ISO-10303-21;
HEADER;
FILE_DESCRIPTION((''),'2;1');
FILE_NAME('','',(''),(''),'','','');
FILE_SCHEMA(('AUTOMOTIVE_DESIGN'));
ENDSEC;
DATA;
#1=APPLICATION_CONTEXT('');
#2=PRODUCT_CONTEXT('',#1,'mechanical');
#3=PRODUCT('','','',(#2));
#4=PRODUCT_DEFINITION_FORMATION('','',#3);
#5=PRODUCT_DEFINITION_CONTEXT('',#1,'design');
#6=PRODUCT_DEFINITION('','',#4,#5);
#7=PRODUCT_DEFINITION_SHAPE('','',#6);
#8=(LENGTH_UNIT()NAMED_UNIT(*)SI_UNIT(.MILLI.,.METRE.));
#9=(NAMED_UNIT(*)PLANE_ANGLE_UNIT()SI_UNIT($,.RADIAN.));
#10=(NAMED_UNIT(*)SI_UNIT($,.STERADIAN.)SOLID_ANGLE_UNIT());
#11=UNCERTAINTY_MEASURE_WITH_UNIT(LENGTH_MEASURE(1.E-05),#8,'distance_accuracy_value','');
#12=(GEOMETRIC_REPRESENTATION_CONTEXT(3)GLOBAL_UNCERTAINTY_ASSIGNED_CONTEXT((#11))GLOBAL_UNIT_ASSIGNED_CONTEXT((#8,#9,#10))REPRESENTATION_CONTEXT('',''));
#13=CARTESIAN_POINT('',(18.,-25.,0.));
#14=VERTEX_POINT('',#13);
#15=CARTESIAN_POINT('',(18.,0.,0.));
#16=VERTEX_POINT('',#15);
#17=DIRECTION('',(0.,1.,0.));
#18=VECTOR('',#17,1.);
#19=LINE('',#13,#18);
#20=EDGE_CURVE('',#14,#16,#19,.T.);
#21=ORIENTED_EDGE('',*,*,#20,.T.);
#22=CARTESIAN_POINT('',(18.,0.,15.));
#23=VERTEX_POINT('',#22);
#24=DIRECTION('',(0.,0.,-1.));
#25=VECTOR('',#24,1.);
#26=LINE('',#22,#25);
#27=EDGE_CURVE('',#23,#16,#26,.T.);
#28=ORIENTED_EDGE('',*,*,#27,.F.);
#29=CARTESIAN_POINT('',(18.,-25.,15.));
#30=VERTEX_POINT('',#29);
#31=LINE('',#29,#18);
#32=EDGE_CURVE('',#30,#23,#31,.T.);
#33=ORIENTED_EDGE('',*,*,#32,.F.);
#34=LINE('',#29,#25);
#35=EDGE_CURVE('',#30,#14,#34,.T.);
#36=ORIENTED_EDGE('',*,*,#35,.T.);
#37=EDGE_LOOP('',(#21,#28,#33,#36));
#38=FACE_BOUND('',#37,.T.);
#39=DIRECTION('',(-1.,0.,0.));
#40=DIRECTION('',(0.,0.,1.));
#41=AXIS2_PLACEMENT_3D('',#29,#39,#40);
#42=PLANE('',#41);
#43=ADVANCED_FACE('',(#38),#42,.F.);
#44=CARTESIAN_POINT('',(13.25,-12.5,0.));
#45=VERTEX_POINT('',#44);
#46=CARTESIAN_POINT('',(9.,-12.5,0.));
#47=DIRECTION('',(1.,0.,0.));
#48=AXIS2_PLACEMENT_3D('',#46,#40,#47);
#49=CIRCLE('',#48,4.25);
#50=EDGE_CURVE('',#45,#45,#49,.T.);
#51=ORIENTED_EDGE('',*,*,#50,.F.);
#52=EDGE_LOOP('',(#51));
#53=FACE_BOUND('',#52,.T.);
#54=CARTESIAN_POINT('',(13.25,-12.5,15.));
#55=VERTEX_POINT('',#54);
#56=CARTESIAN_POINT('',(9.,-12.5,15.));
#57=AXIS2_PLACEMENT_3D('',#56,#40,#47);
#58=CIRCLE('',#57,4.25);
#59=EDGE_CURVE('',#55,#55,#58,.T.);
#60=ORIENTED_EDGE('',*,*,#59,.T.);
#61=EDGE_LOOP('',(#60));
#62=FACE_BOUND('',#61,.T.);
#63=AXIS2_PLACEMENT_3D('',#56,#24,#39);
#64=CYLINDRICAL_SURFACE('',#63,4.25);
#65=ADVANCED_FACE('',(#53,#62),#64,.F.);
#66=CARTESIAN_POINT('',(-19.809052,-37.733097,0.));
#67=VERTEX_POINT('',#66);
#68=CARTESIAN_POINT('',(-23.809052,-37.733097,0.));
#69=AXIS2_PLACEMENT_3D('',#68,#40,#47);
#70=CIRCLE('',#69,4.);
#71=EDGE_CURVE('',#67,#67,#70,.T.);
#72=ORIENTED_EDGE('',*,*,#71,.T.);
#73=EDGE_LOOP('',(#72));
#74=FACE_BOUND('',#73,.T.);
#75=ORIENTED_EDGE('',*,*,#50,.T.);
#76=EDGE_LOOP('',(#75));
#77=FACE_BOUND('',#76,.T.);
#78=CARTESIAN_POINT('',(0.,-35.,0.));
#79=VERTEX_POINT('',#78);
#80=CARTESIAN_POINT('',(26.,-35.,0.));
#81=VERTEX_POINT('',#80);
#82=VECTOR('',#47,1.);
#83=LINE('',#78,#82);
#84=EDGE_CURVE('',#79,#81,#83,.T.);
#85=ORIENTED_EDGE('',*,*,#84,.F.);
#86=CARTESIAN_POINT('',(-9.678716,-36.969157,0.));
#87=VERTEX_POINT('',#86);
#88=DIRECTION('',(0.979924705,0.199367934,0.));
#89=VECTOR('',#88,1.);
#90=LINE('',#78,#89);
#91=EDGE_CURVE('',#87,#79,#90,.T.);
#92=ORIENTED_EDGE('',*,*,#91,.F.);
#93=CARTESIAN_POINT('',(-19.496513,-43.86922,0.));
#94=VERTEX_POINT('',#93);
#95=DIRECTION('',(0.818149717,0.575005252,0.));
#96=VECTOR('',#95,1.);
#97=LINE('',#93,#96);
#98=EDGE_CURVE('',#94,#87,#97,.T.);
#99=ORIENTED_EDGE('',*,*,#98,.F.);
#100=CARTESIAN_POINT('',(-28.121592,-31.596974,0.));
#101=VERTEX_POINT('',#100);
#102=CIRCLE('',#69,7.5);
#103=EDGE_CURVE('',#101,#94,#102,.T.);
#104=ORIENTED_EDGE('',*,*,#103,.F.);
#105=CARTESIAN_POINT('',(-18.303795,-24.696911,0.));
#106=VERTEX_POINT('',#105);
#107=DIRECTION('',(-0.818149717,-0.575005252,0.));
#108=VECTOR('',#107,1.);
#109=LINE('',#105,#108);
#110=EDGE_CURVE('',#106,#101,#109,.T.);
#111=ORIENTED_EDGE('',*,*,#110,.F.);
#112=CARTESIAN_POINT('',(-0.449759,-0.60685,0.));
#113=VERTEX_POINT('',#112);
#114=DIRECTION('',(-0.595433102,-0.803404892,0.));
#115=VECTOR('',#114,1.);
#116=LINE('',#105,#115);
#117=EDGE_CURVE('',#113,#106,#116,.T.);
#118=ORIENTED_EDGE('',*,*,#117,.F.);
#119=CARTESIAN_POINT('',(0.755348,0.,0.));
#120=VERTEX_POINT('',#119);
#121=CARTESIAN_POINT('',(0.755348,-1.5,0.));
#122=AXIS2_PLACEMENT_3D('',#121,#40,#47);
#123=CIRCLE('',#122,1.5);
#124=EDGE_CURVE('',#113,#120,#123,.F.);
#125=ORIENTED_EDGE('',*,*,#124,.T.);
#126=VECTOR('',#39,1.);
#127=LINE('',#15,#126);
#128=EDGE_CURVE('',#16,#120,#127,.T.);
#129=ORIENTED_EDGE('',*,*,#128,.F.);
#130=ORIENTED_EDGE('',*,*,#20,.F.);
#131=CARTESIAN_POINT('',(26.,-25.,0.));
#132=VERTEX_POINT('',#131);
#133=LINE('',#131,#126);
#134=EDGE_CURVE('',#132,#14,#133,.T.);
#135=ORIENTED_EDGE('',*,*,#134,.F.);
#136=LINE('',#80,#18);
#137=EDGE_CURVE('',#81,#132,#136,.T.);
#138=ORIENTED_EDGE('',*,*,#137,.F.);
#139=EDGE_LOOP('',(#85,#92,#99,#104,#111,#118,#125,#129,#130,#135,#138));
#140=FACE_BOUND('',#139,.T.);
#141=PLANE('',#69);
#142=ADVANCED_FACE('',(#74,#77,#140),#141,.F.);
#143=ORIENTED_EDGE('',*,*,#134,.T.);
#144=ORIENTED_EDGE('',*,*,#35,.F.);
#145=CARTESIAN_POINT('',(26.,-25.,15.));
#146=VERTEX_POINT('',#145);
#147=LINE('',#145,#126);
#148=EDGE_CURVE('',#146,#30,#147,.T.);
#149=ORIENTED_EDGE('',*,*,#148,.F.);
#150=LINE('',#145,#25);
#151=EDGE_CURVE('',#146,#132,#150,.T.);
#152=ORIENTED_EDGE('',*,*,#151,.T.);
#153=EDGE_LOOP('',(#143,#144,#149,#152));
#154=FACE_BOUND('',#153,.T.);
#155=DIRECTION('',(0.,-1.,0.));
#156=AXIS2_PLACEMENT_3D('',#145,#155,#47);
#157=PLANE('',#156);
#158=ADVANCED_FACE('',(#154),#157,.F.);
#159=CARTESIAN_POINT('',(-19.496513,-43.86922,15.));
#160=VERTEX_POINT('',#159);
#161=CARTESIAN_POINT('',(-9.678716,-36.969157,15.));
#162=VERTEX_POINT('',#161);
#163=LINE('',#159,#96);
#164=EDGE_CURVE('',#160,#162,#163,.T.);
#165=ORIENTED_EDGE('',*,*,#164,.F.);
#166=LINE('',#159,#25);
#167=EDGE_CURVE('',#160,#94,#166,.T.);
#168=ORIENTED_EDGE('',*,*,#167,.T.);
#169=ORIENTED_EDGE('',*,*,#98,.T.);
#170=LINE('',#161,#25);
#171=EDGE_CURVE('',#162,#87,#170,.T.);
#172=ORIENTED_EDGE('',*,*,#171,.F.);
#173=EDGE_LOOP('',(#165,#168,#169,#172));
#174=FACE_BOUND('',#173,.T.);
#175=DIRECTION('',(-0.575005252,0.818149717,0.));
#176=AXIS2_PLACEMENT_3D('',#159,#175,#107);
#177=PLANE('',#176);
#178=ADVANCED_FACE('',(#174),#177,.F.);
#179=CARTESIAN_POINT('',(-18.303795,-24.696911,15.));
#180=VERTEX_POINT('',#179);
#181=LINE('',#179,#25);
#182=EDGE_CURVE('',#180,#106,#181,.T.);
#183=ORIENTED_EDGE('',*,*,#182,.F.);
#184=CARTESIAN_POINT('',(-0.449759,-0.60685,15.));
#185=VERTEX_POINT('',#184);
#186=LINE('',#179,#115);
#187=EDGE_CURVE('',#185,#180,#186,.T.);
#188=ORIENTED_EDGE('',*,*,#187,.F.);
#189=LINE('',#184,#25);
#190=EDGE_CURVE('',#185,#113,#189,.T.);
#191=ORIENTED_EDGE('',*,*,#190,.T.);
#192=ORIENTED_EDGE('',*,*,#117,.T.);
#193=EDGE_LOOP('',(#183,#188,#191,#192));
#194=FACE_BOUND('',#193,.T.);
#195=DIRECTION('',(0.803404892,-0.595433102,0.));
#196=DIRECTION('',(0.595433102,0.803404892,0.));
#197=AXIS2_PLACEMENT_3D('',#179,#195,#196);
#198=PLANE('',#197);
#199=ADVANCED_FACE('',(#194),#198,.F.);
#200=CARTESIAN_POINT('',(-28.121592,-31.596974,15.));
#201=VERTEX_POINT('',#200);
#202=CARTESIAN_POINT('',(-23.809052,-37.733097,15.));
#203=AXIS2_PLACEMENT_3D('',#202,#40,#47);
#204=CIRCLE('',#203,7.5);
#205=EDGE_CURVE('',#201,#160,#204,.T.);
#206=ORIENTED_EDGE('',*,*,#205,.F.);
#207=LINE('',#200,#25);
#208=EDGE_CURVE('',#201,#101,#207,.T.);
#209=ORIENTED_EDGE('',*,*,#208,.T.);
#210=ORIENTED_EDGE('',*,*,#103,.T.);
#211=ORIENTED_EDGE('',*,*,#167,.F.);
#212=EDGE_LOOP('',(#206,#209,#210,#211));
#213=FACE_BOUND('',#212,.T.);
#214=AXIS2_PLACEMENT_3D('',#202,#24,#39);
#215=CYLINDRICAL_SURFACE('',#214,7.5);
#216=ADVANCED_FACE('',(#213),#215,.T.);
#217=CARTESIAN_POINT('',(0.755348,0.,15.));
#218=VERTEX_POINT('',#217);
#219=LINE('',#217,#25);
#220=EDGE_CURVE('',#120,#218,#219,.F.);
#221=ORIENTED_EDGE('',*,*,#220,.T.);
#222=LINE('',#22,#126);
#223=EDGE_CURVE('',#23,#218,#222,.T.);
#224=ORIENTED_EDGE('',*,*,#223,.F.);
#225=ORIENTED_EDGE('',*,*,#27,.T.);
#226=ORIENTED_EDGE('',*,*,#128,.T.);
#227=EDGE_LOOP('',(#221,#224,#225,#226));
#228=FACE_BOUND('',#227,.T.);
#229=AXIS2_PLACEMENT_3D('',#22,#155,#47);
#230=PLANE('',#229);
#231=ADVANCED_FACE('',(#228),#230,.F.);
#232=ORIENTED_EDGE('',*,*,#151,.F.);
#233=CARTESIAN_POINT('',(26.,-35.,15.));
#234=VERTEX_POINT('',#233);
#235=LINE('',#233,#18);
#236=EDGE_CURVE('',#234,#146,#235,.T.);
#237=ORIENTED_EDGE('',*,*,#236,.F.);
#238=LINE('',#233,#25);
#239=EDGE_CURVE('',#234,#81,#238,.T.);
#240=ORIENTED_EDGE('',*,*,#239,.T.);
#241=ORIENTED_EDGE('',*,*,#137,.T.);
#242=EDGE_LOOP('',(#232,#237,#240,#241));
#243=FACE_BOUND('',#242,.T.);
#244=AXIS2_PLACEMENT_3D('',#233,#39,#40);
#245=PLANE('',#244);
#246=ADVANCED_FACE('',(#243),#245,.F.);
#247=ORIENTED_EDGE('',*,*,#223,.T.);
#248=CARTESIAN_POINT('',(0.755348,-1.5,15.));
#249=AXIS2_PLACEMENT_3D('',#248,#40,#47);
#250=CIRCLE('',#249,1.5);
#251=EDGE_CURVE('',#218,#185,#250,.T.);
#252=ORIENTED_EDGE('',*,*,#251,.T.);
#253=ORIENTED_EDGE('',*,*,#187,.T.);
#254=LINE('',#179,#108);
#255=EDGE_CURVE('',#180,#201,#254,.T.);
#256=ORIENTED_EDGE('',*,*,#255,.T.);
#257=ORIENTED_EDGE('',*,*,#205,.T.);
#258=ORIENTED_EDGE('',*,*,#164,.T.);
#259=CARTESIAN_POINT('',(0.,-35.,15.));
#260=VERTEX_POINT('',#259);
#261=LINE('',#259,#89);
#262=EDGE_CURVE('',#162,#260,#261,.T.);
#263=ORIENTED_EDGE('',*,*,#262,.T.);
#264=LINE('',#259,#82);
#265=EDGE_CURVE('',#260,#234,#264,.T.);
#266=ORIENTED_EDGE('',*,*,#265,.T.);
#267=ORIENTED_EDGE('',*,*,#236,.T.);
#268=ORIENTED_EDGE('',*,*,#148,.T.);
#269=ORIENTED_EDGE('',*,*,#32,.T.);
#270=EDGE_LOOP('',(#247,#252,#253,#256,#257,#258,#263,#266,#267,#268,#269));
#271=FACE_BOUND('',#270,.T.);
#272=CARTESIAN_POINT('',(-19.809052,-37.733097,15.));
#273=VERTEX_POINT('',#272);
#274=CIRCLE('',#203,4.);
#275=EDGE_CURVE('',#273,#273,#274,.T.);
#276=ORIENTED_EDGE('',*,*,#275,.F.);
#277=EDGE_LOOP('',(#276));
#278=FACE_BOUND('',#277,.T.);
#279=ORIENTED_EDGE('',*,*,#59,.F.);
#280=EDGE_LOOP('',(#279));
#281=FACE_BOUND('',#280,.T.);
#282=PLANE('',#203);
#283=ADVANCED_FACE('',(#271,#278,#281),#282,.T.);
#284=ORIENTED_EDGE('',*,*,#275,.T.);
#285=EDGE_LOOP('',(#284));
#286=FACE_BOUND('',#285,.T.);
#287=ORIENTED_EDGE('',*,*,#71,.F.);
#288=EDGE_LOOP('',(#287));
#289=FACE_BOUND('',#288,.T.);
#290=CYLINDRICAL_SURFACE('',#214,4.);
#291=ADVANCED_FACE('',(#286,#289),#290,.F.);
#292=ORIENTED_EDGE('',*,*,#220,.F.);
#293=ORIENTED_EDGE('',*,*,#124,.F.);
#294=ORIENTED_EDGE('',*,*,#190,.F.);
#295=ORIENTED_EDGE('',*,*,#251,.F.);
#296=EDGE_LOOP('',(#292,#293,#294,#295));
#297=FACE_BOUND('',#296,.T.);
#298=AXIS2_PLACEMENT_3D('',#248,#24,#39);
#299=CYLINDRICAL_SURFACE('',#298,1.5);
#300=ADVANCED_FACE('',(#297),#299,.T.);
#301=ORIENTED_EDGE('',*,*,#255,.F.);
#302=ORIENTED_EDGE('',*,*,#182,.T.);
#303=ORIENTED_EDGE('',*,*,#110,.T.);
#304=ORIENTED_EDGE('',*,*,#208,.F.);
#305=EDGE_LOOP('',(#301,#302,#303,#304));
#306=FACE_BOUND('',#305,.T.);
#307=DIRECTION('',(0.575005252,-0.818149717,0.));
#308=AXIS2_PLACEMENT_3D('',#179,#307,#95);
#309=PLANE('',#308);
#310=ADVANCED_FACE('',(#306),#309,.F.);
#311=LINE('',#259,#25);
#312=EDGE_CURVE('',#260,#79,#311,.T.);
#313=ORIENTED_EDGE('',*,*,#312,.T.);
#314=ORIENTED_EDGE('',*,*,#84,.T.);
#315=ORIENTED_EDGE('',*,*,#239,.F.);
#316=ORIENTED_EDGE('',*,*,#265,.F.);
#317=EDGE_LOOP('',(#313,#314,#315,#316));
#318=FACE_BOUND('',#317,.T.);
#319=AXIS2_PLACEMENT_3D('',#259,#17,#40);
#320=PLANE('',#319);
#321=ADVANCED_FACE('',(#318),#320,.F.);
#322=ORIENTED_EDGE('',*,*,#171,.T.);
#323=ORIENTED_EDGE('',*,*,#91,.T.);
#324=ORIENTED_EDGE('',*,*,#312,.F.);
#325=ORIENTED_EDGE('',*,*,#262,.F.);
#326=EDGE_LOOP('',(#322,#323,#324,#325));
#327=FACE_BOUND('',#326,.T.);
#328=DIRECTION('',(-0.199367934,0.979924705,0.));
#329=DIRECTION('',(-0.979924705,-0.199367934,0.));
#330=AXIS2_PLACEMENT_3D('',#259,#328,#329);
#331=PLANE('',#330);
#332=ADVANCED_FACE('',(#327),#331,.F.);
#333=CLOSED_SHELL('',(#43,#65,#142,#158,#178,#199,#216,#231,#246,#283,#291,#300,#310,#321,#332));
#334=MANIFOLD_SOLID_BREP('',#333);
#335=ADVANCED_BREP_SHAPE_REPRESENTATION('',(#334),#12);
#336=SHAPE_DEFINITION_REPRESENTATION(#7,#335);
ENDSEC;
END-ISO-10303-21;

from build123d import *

# Parameters (mm, degrees)
SKETCH2_R           = 4.25
SKETCH2_R_2         = 4
BOSS_EXTRUDE1_DEPTH = 15
FILLET1_R           = 1.5


with BuildPart() as part:
    # Sketch2 → Boss-Extrude1 (new body)
    with BuildSketch(Plane.XY):
        with BuildLine():
            Line((0, -35), (26, -35))
            Line((26, -35), (26, -25))
            Line((26, -25), (18, -25))
            Line((18, -25), (18, 0))
            Line((18, 0), (0, 0))
            Line((0, 0), (-18.303795088, -24.696911327))
            Line((-18.303795088, -24.696911327), (-28.121591697, -31.596974351))
            ThreePointArc((-28.121591697, -31.596974351), (-29.945175188, -42.045636622), (-19.496512917, -43.869220113))
            Line((-19.496512917, -43.869220113), (-9.678716308, -36.969157088))
            Line((-9.678716308, -36.969157088), (0, -35))
        make_face()
        with Locations((9, -12.5)):
            Circle(SKETCH2_R, mode=Mode.SUBTRACT)
        with Locations((-23.809052307, -37.733097232)):
            Circle(SKETCH2_R_2, mode=Mode.SUBTRACT)
    extrude(amount=BOSS_EXTRUDE1_DEPTH)

    # Fillet1
    fillet1_edges = [part.edges().sort_by_distance(p)[0] for p in [
        (0, 0, 7.5),
    ]]
    fillet(fillet1_edges, radius=FILLET1_R)


solid = part.part
